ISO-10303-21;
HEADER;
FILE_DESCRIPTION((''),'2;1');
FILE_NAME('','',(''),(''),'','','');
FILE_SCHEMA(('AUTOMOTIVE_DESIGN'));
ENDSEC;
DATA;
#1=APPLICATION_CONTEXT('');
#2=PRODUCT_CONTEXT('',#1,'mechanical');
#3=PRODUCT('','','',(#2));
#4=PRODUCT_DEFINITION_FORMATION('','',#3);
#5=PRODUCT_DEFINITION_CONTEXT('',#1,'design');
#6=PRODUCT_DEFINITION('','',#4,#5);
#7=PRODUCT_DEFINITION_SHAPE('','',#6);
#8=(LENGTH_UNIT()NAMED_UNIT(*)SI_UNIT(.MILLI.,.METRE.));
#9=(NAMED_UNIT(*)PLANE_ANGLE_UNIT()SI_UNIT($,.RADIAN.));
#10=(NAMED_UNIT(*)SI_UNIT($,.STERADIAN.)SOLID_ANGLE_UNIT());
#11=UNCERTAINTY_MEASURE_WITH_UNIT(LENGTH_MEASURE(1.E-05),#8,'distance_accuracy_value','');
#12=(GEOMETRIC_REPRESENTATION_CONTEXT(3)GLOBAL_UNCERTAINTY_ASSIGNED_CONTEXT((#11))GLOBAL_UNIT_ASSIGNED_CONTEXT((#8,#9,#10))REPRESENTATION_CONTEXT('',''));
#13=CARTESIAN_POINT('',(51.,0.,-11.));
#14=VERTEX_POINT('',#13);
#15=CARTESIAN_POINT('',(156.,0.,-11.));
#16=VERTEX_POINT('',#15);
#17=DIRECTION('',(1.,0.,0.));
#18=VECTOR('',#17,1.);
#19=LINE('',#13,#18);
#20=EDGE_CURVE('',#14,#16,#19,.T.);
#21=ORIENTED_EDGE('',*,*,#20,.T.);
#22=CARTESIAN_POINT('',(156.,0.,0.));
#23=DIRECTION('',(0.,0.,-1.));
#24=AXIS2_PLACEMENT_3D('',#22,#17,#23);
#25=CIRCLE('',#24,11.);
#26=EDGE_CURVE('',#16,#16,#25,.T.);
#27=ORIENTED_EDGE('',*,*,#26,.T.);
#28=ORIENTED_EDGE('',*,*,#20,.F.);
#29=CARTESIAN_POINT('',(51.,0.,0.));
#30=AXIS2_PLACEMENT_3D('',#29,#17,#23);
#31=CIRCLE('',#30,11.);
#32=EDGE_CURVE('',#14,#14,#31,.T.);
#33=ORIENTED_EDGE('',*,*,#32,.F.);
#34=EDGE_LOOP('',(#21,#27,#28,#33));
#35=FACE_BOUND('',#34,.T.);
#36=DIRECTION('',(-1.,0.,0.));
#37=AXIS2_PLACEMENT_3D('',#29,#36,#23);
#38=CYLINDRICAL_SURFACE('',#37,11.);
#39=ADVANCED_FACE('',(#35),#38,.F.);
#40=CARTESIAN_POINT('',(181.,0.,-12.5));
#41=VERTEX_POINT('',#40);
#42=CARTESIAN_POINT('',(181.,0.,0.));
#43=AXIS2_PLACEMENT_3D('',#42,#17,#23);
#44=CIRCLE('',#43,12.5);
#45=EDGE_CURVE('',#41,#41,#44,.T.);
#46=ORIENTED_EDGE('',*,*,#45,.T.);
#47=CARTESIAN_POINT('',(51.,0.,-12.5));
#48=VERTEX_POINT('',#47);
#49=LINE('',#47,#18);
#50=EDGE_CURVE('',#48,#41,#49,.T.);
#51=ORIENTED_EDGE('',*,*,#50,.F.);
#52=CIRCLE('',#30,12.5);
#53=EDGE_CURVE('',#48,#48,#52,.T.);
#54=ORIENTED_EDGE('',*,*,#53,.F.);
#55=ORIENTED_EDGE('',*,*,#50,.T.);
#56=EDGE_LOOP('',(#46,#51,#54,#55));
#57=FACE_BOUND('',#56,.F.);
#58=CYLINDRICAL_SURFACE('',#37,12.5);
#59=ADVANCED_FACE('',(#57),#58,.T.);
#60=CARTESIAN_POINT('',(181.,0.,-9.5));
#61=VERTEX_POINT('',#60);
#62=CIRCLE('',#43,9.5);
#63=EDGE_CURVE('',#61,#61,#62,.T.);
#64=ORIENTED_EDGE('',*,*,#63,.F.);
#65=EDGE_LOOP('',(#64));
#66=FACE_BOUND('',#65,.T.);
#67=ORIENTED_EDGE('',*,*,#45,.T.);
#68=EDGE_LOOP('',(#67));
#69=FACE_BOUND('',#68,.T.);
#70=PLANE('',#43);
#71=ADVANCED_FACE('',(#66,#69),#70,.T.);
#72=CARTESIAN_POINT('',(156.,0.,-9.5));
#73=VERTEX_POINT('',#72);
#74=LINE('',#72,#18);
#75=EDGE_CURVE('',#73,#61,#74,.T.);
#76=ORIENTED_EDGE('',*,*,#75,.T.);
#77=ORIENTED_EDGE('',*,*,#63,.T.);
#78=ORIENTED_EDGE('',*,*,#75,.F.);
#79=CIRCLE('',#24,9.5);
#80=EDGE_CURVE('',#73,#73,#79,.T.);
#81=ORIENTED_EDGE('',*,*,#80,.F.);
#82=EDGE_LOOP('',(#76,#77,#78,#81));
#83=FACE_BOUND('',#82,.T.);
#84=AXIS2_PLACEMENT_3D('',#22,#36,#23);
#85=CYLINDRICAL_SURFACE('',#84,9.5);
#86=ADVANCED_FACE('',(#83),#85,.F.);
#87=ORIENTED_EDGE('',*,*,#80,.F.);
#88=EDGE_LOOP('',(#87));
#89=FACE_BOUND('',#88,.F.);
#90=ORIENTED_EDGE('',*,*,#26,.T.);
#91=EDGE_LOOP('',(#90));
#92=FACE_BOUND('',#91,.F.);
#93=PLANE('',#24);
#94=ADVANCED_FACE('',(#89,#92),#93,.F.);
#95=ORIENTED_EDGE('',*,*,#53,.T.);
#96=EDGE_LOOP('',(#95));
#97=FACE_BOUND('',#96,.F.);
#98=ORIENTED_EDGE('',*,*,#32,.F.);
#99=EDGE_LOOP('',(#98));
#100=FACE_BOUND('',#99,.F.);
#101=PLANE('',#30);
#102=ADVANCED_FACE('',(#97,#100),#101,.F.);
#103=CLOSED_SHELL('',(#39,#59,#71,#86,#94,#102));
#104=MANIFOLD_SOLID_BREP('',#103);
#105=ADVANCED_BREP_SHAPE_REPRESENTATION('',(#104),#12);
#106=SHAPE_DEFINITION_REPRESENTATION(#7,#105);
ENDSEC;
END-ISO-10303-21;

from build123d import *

# Parameters (mm, degrees)
CYLINDER004_R           = 9.5
CYLINDER004_DEPTH       = 25
CYLINDER004_PITCH_ANGLE = 90
CYLINDER003_R           = 11
CYLINDER003_DEPTH       = 105
CYLINDER003_PITCH_ANGLE = 90
CYLINDER002_R           = 12.5
CYLINDER002_DEPTH       = 130
CYLINDER002_PITCH_ANGLE = 90


with BuildPart() as cylinder002:
    # Cylinder004 → Cylinder004 (new body)
    with BuildSketch(Plane.XY):
        Circle(CYLINDER004_R)
    extrude(amount=CYLINDER004_DEPTH)


with BuildPart() as cylinder002_1:
    # Cylinder004 pitch: moved
    add(cylinder002.part.rotate(Axis((0, 0, 0), (0, 1, 0)), CYLINDER004_PITCH_ANGLE))


with BuildPart() as cylinder002_2:
    # Cylinder004 placement: moved
    add(cylinder002_1.part.moved(Location((156, 0, 0))))


with BuildPart() as cylinder001:
    # Cylinder003 → Cylinder003 (new body)
    with BuildSketch(Plane.XY):
        Circle(CYLINDER003_R)
    extrude(amount=CYLINDER003_DEPTH)


with BuildPart() as cylinder001_1:
    # Cylinder003 pitch: moved
    add(cylinder001.part.rotate(Axis((0, 0, 0), (0, 1, 0)), CYLINDER003_PITCH_ANGLE))


with BuildPart() as cylinder001_2:
    # Cylinder003 placement: moved
    add(cylinder001_1.part.moved(Location((51, 0, 0))))


with BuildPart() as batteryholder:
    # Cylinder002 → Cylinder002 (new body)
    with BuildSketch(Plane.XY):
        Circle(CYLINDER002_R)
    extrude(amount=CYLINDER002_DEPTH)


with BuildPart() as batteryholder_1:
    # Cylinder002 pitch: moved
    add(batteryholder.part.rotate(Axis((0, 0, 0), (0, 1, 0)), CYLINDER002_PITCH_ANGLE))


with BuildPart() as batteryholder_2:
    # Cylinder002 placement: moved
    add(batteryholder_1.part.moved(Location((51, 0, 0))))

    # Cut001: cut Cylinder001
    add(cylinder001_2.part, mode=Mode.SUBTRACT)

    # Cut002: cut Cylinder002
    add(cylinder002_2.part, mode=Mode.SUBTRACT)


solid = batteryholder_2.part
